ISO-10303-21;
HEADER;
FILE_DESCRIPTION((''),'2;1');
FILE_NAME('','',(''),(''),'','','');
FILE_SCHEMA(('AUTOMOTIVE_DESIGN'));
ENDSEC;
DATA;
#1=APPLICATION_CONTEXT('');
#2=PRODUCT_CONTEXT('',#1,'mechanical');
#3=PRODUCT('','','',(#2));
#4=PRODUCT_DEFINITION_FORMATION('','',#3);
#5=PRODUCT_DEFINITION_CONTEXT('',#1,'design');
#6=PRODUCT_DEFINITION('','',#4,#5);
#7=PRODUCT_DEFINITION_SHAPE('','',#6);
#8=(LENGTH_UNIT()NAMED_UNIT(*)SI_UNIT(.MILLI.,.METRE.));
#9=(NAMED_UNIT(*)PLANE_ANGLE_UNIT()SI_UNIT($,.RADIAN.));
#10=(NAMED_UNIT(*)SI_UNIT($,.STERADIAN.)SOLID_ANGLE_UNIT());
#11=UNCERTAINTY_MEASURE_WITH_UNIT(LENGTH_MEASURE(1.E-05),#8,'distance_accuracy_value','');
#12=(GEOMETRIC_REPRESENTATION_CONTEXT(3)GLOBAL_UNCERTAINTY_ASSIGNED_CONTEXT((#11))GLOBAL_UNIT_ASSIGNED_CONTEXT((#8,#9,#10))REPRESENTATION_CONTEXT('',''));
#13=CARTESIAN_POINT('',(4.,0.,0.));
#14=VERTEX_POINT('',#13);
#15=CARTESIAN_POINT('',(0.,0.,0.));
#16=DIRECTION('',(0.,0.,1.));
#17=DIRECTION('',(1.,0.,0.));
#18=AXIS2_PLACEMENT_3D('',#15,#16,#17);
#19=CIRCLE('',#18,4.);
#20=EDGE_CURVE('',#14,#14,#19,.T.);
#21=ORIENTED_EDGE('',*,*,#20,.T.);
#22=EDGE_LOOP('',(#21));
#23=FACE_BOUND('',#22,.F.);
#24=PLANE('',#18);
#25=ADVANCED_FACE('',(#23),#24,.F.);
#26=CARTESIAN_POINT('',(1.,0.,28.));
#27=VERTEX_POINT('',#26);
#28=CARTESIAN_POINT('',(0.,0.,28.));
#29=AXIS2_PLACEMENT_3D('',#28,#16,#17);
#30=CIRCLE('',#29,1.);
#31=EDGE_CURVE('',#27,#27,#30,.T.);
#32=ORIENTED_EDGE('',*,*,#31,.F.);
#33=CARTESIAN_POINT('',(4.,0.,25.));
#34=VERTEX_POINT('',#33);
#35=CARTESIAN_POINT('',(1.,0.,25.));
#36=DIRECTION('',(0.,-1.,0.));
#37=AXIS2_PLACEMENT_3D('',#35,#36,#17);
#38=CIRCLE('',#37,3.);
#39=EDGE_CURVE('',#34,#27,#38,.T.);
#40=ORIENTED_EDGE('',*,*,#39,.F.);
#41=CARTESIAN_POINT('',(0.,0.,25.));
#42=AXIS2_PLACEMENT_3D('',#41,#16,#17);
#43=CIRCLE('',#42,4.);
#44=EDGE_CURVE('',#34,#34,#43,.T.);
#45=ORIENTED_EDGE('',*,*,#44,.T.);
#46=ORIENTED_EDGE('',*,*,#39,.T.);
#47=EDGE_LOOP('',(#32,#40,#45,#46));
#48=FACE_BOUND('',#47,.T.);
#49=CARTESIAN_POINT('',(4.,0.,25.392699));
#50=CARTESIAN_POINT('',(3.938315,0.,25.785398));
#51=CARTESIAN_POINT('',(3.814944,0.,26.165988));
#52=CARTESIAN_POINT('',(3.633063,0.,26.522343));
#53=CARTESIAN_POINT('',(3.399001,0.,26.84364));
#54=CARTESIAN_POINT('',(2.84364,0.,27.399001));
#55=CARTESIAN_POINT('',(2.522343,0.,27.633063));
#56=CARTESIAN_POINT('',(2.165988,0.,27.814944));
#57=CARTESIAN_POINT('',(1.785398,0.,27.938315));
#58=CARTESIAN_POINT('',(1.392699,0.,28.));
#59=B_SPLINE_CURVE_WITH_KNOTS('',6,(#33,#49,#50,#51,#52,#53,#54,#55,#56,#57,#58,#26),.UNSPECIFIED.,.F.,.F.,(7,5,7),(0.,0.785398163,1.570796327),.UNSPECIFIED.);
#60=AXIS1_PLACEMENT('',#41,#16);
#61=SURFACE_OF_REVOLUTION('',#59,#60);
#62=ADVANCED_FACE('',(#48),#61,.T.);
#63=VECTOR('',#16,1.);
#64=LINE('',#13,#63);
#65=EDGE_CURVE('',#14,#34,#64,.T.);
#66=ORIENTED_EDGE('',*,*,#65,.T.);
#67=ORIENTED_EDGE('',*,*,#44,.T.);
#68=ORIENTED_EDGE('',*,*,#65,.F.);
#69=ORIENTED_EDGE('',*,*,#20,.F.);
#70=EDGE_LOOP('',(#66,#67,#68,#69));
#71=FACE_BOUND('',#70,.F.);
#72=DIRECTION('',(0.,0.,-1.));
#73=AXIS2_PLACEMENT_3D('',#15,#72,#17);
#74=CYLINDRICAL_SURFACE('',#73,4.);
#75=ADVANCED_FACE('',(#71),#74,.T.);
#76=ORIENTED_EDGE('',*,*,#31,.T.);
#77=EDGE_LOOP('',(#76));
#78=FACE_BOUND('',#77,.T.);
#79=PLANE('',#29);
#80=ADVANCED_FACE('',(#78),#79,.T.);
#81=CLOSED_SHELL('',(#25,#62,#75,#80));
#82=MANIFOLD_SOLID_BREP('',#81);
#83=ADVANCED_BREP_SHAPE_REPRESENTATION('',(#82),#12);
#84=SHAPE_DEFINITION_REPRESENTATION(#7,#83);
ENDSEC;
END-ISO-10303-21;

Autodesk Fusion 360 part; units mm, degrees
sketch "Sketch1" plane through (0, 0, 0) normal (0, 0, 1) x (1, 0, 0)
  circle A0 centre (0, 0) radius 4
  dimension "d1" = 8
extrude "Extrude1" add sketch "Sketch1" along normal blind 28
fillet "Fillet1" radius 3 1 edges at (-3.7293, -1.4465, 28)
